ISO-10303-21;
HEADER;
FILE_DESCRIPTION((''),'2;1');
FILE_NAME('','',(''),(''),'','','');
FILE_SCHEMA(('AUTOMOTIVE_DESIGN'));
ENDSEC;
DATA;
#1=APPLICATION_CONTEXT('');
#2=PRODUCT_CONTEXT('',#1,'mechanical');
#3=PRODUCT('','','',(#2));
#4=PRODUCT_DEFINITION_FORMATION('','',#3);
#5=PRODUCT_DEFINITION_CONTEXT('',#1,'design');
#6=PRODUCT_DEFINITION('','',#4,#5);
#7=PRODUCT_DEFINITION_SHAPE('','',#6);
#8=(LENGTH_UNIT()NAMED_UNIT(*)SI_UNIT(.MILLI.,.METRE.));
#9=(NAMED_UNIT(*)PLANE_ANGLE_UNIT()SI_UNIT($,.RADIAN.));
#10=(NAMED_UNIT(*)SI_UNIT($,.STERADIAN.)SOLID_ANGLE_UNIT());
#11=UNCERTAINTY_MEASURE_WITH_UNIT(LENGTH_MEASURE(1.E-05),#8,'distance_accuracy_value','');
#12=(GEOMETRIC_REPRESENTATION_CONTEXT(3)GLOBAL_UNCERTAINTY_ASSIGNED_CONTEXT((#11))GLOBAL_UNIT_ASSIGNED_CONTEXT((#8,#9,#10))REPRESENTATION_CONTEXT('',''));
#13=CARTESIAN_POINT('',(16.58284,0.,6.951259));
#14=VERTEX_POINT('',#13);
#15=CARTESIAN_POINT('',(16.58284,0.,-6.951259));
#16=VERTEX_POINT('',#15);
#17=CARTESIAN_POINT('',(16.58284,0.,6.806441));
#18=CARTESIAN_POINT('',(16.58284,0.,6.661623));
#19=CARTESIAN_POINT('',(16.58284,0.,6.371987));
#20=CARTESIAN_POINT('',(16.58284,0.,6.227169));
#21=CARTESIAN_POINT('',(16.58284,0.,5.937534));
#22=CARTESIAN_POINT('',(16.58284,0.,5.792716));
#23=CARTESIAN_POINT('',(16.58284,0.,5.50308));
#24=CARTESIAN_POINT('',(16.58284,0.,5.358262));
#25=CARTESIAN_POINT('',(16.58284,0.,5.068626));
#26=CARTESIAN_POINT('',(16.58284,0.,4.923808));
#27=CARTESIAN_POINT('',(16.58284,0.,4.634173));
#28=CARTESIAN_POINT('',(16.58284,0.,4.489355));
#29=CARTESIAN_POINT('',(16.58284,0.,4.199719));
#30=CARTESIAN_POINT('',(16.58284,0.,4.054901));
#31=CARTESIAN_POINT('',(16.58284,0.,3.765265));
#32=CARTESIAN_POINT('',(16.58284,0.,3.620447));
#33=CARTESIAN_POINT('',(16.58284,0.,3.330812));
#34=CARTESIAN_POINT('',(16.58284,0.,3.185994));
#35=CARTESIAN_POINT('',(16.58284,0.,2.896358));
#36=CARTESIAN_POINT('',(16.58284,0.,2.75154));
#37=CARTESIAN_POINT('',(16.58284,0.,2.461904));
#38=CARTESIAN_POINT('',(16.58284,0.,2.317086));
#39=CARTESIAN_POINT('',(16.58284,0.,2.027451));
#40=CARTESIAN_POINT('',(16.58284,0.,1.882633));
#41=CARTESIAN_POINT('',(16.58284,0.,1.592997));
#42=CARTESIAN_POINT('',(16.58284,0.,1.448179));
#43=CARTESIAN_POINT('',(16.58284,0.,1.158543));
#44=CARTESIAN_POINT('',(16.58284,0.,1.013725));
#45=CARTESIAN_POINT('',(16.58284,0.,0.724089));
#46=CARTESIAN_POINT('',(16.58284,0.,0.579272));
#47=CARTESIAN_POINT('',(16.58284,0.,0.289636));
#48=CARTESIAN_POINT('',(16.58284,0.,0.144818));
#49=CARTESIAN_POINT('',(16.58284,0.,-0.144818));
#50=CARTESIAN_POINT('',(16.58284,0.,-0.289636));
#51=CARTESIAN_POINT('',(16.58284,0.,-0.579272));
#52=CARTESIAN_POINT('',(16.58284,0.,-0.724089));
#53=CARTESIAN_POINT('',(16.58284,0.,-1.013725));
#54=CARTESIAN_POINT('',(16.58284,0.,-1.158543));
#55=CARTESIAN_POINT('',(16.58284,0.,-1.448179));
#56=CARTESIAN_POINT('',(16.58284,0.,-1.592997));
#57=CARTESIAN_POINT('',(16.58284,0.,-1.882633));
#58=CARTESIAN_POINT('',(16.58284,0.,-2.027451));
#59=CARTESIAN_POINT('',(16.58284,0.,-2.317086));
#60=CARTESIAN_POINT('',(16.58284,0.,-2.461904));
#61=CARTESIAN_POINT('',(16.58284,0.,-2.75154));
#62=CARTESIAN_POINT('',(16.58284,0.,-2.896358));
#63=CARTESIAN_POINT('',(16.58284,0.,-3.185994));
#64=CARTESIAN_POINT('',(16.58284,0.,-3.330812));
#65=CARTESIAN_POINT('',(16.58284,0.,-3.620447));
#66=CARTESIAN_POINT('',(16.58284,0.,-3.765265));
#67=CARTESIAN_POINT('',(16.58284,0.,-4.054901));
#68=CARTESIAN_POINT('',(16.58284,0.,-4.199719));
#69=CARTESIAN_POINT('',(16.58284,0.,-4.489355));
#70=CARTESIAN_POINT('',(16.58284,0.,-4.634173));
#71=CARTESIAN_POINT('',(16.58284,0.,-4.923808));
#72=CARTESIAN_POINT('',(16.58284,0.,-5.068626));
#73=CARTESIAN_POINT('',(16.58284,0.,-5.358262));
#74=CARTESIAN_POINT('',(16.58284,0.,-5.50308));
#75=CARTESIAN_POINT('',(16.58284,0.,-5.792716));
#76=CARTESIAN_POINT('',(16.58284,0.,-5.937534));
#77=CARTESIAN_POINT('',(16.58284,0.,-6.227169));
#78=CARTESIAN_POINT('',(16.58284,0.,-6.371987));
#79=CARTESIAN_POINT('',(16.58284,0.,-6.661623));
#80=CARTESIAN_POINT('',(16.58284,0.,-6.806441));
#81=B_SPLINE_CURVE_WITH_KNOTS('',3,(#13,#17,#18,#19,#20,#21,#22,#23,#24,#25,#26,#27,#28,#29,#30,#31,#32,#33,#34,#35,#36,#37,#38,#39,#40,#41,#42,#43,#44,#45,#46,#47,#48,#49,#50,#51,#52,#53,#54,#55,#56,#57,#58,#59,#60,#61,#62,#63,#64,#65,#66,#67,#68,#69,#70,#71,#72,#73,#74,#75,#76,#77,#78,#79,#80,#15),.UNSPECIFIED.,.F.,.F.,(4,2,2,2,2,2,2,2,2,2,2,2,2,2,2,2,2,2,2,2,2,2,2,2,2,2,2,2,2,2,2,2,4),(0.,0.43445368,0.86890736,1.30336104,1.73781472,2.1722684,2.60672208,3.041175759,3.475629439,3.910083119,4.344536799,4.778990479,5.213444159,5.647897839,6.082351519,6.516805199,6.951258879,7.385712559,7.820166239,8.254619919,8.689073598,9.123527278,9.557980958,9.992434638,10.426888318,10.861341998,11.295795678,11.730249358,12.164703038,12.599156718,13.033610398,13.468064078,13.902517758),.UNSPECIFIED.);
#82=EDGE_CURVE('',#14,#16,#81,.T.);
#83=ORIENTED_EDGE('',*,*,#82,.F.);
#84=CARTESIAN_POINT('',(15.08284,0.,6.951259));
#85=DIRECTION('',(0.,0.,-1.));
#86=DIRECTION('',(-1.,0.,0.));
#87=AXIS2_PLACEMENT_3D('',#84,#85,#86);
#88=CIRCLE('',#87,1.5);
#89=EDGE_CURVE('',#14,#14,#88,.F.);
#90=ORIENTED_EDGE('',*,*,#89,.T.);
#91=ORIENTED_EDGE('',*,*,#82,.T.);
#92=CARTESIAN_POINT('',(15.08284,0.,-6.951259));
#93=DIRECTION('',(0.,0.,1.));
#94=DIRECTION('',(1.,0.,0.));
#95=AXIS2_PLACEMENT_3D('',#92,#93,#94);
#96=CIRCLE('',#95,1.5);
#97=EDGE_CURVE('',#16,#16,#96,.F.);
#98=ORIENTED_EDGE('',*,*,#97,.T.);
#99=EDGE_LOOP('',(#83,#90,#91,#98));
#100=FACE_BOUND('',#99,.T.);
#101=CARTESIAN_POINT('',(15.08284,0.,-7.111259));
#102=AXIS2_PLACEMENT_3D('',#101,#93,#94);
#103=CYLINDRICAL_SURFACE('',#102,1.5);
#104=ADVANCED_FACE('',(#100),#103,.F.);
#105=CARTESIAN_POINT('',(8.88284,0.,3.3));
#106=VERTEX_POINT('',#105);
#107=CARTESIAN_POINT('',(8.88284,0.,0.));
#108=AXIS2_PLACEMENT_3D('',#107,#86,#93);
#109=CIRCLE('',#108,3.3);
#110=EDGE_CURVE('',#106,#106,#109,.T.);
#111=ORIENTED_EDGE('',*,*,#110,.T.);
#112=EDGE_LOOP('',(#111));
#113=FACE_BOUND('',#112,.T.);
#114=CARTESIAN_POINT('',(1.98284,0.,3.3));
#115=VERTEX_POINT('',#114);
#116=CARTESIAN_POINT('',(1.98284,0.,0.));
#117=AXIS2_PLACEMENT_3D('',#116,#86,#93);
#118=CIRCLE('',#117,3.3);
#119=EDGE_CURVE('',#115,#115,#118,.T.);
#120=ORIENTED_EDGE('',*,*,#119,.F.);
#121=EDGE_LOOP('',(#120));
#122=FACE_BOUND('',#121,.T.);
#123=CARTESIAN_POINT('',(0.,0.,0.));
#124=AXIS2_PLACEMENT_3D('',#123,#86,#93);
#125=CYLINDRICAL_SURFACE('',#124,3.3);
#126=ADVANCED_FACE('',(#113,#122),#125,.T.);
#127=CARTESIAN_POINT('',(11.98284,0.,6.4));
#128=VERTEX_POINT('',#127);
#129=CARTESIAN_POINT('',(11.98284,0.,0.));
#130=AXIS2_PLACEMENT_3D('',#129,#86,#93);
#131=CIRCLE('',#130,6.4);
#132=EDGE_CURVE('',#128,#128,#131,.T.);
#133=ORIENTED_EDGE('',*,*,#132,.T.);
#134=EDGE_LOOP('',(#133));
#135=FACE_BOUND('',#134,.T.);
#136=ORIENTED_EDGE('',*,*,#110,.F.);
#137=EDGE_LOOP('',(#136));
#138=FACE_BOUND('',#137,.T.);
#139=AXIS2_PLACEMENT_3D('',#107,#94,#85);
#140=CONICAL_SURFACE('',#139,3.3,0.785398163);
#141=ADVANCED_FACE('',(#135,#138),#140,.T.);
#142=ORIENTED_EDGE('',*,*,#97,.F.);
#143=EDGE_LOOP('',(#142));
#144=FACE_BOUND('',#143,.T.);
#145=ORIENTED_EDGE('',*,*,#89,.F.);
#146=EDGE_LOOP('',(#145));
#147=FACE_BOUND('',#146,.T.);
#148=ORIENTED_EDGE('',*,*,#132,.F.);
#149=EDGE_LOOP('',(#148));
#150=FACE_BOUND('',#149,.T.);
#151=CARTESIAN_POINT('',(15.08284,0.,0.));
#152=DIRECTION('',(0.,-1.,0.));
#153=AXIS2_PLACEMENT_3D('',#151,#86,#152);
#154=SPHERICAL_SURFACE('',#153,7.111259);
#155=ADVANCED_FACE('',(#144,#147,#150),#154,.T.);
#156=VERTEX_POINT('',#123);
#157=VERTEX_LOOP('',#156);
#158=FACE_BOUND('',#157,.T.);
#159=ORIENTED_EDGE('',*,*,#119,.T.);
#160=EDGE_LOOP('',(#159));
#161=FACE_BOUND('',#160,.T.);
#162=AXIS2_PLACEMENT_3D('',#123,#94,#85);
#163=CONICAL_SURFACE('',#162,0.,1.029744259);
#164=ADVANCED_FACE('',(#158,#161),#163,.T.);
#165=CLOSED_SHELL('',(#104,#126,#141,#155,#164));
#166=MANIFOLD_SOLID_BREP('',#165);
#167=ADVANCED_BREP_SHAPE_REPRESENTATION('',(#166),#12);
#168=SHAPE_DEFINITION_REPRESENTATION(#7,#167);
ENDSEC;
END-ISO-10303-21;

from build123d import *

# Parameters (mm, degrees)
CUT_EXTRUDE_1_DEPTH      = 25.366329598
CUT_EXTRUDE_1_DEPTH_BACK = 25.366329598
SKETCH_8_R               = 1.5


with BuildPart() as part:
    # 草图1 → 旋转1 (revolve)
    with BuildSketch(Plane.XY, mode=Mode.PRIVATE) as revolve_1_sk:
        with BuildLine():
            Line((0, 0), (1.982840043, -3.3))
            Line((1.982840043, -3.3), (8.882840043, -3.3))
            Line((8.882840043, -3.3), (11.982840043, -6.4))
            ThreePointArc((11.982840043, -6.4), (18.859419057, -6.025566442), (22.194098722, 0))
            Line((22.194098722, 0), (0, 0))
        make_face()
    revolve(revolve_1_sk.sketch.rotate(Axis((0, 0, 0), (1, 0, 0)), 270), axis=Axis((0, 0, 0), (1, 0, 0)))

    # 草图8 → 切除-拉伸1 (cut, two sides: drawn at the far end of the back side and taken through both)
    with BuildSketch(Plane.XY.offset(-CUT_EXTRUDE_1_DEPTH_BACK)):
        with Locations((15.082840043, 0)):
            Circle(SKETCH_8_R)
    extrude(amount=CUT_EXTRUDE_1_DEPTH + CUT_EXTRUDE_1_DEPTH_BACK, mode=Mode.SUBTRACT)


solid = part.part
